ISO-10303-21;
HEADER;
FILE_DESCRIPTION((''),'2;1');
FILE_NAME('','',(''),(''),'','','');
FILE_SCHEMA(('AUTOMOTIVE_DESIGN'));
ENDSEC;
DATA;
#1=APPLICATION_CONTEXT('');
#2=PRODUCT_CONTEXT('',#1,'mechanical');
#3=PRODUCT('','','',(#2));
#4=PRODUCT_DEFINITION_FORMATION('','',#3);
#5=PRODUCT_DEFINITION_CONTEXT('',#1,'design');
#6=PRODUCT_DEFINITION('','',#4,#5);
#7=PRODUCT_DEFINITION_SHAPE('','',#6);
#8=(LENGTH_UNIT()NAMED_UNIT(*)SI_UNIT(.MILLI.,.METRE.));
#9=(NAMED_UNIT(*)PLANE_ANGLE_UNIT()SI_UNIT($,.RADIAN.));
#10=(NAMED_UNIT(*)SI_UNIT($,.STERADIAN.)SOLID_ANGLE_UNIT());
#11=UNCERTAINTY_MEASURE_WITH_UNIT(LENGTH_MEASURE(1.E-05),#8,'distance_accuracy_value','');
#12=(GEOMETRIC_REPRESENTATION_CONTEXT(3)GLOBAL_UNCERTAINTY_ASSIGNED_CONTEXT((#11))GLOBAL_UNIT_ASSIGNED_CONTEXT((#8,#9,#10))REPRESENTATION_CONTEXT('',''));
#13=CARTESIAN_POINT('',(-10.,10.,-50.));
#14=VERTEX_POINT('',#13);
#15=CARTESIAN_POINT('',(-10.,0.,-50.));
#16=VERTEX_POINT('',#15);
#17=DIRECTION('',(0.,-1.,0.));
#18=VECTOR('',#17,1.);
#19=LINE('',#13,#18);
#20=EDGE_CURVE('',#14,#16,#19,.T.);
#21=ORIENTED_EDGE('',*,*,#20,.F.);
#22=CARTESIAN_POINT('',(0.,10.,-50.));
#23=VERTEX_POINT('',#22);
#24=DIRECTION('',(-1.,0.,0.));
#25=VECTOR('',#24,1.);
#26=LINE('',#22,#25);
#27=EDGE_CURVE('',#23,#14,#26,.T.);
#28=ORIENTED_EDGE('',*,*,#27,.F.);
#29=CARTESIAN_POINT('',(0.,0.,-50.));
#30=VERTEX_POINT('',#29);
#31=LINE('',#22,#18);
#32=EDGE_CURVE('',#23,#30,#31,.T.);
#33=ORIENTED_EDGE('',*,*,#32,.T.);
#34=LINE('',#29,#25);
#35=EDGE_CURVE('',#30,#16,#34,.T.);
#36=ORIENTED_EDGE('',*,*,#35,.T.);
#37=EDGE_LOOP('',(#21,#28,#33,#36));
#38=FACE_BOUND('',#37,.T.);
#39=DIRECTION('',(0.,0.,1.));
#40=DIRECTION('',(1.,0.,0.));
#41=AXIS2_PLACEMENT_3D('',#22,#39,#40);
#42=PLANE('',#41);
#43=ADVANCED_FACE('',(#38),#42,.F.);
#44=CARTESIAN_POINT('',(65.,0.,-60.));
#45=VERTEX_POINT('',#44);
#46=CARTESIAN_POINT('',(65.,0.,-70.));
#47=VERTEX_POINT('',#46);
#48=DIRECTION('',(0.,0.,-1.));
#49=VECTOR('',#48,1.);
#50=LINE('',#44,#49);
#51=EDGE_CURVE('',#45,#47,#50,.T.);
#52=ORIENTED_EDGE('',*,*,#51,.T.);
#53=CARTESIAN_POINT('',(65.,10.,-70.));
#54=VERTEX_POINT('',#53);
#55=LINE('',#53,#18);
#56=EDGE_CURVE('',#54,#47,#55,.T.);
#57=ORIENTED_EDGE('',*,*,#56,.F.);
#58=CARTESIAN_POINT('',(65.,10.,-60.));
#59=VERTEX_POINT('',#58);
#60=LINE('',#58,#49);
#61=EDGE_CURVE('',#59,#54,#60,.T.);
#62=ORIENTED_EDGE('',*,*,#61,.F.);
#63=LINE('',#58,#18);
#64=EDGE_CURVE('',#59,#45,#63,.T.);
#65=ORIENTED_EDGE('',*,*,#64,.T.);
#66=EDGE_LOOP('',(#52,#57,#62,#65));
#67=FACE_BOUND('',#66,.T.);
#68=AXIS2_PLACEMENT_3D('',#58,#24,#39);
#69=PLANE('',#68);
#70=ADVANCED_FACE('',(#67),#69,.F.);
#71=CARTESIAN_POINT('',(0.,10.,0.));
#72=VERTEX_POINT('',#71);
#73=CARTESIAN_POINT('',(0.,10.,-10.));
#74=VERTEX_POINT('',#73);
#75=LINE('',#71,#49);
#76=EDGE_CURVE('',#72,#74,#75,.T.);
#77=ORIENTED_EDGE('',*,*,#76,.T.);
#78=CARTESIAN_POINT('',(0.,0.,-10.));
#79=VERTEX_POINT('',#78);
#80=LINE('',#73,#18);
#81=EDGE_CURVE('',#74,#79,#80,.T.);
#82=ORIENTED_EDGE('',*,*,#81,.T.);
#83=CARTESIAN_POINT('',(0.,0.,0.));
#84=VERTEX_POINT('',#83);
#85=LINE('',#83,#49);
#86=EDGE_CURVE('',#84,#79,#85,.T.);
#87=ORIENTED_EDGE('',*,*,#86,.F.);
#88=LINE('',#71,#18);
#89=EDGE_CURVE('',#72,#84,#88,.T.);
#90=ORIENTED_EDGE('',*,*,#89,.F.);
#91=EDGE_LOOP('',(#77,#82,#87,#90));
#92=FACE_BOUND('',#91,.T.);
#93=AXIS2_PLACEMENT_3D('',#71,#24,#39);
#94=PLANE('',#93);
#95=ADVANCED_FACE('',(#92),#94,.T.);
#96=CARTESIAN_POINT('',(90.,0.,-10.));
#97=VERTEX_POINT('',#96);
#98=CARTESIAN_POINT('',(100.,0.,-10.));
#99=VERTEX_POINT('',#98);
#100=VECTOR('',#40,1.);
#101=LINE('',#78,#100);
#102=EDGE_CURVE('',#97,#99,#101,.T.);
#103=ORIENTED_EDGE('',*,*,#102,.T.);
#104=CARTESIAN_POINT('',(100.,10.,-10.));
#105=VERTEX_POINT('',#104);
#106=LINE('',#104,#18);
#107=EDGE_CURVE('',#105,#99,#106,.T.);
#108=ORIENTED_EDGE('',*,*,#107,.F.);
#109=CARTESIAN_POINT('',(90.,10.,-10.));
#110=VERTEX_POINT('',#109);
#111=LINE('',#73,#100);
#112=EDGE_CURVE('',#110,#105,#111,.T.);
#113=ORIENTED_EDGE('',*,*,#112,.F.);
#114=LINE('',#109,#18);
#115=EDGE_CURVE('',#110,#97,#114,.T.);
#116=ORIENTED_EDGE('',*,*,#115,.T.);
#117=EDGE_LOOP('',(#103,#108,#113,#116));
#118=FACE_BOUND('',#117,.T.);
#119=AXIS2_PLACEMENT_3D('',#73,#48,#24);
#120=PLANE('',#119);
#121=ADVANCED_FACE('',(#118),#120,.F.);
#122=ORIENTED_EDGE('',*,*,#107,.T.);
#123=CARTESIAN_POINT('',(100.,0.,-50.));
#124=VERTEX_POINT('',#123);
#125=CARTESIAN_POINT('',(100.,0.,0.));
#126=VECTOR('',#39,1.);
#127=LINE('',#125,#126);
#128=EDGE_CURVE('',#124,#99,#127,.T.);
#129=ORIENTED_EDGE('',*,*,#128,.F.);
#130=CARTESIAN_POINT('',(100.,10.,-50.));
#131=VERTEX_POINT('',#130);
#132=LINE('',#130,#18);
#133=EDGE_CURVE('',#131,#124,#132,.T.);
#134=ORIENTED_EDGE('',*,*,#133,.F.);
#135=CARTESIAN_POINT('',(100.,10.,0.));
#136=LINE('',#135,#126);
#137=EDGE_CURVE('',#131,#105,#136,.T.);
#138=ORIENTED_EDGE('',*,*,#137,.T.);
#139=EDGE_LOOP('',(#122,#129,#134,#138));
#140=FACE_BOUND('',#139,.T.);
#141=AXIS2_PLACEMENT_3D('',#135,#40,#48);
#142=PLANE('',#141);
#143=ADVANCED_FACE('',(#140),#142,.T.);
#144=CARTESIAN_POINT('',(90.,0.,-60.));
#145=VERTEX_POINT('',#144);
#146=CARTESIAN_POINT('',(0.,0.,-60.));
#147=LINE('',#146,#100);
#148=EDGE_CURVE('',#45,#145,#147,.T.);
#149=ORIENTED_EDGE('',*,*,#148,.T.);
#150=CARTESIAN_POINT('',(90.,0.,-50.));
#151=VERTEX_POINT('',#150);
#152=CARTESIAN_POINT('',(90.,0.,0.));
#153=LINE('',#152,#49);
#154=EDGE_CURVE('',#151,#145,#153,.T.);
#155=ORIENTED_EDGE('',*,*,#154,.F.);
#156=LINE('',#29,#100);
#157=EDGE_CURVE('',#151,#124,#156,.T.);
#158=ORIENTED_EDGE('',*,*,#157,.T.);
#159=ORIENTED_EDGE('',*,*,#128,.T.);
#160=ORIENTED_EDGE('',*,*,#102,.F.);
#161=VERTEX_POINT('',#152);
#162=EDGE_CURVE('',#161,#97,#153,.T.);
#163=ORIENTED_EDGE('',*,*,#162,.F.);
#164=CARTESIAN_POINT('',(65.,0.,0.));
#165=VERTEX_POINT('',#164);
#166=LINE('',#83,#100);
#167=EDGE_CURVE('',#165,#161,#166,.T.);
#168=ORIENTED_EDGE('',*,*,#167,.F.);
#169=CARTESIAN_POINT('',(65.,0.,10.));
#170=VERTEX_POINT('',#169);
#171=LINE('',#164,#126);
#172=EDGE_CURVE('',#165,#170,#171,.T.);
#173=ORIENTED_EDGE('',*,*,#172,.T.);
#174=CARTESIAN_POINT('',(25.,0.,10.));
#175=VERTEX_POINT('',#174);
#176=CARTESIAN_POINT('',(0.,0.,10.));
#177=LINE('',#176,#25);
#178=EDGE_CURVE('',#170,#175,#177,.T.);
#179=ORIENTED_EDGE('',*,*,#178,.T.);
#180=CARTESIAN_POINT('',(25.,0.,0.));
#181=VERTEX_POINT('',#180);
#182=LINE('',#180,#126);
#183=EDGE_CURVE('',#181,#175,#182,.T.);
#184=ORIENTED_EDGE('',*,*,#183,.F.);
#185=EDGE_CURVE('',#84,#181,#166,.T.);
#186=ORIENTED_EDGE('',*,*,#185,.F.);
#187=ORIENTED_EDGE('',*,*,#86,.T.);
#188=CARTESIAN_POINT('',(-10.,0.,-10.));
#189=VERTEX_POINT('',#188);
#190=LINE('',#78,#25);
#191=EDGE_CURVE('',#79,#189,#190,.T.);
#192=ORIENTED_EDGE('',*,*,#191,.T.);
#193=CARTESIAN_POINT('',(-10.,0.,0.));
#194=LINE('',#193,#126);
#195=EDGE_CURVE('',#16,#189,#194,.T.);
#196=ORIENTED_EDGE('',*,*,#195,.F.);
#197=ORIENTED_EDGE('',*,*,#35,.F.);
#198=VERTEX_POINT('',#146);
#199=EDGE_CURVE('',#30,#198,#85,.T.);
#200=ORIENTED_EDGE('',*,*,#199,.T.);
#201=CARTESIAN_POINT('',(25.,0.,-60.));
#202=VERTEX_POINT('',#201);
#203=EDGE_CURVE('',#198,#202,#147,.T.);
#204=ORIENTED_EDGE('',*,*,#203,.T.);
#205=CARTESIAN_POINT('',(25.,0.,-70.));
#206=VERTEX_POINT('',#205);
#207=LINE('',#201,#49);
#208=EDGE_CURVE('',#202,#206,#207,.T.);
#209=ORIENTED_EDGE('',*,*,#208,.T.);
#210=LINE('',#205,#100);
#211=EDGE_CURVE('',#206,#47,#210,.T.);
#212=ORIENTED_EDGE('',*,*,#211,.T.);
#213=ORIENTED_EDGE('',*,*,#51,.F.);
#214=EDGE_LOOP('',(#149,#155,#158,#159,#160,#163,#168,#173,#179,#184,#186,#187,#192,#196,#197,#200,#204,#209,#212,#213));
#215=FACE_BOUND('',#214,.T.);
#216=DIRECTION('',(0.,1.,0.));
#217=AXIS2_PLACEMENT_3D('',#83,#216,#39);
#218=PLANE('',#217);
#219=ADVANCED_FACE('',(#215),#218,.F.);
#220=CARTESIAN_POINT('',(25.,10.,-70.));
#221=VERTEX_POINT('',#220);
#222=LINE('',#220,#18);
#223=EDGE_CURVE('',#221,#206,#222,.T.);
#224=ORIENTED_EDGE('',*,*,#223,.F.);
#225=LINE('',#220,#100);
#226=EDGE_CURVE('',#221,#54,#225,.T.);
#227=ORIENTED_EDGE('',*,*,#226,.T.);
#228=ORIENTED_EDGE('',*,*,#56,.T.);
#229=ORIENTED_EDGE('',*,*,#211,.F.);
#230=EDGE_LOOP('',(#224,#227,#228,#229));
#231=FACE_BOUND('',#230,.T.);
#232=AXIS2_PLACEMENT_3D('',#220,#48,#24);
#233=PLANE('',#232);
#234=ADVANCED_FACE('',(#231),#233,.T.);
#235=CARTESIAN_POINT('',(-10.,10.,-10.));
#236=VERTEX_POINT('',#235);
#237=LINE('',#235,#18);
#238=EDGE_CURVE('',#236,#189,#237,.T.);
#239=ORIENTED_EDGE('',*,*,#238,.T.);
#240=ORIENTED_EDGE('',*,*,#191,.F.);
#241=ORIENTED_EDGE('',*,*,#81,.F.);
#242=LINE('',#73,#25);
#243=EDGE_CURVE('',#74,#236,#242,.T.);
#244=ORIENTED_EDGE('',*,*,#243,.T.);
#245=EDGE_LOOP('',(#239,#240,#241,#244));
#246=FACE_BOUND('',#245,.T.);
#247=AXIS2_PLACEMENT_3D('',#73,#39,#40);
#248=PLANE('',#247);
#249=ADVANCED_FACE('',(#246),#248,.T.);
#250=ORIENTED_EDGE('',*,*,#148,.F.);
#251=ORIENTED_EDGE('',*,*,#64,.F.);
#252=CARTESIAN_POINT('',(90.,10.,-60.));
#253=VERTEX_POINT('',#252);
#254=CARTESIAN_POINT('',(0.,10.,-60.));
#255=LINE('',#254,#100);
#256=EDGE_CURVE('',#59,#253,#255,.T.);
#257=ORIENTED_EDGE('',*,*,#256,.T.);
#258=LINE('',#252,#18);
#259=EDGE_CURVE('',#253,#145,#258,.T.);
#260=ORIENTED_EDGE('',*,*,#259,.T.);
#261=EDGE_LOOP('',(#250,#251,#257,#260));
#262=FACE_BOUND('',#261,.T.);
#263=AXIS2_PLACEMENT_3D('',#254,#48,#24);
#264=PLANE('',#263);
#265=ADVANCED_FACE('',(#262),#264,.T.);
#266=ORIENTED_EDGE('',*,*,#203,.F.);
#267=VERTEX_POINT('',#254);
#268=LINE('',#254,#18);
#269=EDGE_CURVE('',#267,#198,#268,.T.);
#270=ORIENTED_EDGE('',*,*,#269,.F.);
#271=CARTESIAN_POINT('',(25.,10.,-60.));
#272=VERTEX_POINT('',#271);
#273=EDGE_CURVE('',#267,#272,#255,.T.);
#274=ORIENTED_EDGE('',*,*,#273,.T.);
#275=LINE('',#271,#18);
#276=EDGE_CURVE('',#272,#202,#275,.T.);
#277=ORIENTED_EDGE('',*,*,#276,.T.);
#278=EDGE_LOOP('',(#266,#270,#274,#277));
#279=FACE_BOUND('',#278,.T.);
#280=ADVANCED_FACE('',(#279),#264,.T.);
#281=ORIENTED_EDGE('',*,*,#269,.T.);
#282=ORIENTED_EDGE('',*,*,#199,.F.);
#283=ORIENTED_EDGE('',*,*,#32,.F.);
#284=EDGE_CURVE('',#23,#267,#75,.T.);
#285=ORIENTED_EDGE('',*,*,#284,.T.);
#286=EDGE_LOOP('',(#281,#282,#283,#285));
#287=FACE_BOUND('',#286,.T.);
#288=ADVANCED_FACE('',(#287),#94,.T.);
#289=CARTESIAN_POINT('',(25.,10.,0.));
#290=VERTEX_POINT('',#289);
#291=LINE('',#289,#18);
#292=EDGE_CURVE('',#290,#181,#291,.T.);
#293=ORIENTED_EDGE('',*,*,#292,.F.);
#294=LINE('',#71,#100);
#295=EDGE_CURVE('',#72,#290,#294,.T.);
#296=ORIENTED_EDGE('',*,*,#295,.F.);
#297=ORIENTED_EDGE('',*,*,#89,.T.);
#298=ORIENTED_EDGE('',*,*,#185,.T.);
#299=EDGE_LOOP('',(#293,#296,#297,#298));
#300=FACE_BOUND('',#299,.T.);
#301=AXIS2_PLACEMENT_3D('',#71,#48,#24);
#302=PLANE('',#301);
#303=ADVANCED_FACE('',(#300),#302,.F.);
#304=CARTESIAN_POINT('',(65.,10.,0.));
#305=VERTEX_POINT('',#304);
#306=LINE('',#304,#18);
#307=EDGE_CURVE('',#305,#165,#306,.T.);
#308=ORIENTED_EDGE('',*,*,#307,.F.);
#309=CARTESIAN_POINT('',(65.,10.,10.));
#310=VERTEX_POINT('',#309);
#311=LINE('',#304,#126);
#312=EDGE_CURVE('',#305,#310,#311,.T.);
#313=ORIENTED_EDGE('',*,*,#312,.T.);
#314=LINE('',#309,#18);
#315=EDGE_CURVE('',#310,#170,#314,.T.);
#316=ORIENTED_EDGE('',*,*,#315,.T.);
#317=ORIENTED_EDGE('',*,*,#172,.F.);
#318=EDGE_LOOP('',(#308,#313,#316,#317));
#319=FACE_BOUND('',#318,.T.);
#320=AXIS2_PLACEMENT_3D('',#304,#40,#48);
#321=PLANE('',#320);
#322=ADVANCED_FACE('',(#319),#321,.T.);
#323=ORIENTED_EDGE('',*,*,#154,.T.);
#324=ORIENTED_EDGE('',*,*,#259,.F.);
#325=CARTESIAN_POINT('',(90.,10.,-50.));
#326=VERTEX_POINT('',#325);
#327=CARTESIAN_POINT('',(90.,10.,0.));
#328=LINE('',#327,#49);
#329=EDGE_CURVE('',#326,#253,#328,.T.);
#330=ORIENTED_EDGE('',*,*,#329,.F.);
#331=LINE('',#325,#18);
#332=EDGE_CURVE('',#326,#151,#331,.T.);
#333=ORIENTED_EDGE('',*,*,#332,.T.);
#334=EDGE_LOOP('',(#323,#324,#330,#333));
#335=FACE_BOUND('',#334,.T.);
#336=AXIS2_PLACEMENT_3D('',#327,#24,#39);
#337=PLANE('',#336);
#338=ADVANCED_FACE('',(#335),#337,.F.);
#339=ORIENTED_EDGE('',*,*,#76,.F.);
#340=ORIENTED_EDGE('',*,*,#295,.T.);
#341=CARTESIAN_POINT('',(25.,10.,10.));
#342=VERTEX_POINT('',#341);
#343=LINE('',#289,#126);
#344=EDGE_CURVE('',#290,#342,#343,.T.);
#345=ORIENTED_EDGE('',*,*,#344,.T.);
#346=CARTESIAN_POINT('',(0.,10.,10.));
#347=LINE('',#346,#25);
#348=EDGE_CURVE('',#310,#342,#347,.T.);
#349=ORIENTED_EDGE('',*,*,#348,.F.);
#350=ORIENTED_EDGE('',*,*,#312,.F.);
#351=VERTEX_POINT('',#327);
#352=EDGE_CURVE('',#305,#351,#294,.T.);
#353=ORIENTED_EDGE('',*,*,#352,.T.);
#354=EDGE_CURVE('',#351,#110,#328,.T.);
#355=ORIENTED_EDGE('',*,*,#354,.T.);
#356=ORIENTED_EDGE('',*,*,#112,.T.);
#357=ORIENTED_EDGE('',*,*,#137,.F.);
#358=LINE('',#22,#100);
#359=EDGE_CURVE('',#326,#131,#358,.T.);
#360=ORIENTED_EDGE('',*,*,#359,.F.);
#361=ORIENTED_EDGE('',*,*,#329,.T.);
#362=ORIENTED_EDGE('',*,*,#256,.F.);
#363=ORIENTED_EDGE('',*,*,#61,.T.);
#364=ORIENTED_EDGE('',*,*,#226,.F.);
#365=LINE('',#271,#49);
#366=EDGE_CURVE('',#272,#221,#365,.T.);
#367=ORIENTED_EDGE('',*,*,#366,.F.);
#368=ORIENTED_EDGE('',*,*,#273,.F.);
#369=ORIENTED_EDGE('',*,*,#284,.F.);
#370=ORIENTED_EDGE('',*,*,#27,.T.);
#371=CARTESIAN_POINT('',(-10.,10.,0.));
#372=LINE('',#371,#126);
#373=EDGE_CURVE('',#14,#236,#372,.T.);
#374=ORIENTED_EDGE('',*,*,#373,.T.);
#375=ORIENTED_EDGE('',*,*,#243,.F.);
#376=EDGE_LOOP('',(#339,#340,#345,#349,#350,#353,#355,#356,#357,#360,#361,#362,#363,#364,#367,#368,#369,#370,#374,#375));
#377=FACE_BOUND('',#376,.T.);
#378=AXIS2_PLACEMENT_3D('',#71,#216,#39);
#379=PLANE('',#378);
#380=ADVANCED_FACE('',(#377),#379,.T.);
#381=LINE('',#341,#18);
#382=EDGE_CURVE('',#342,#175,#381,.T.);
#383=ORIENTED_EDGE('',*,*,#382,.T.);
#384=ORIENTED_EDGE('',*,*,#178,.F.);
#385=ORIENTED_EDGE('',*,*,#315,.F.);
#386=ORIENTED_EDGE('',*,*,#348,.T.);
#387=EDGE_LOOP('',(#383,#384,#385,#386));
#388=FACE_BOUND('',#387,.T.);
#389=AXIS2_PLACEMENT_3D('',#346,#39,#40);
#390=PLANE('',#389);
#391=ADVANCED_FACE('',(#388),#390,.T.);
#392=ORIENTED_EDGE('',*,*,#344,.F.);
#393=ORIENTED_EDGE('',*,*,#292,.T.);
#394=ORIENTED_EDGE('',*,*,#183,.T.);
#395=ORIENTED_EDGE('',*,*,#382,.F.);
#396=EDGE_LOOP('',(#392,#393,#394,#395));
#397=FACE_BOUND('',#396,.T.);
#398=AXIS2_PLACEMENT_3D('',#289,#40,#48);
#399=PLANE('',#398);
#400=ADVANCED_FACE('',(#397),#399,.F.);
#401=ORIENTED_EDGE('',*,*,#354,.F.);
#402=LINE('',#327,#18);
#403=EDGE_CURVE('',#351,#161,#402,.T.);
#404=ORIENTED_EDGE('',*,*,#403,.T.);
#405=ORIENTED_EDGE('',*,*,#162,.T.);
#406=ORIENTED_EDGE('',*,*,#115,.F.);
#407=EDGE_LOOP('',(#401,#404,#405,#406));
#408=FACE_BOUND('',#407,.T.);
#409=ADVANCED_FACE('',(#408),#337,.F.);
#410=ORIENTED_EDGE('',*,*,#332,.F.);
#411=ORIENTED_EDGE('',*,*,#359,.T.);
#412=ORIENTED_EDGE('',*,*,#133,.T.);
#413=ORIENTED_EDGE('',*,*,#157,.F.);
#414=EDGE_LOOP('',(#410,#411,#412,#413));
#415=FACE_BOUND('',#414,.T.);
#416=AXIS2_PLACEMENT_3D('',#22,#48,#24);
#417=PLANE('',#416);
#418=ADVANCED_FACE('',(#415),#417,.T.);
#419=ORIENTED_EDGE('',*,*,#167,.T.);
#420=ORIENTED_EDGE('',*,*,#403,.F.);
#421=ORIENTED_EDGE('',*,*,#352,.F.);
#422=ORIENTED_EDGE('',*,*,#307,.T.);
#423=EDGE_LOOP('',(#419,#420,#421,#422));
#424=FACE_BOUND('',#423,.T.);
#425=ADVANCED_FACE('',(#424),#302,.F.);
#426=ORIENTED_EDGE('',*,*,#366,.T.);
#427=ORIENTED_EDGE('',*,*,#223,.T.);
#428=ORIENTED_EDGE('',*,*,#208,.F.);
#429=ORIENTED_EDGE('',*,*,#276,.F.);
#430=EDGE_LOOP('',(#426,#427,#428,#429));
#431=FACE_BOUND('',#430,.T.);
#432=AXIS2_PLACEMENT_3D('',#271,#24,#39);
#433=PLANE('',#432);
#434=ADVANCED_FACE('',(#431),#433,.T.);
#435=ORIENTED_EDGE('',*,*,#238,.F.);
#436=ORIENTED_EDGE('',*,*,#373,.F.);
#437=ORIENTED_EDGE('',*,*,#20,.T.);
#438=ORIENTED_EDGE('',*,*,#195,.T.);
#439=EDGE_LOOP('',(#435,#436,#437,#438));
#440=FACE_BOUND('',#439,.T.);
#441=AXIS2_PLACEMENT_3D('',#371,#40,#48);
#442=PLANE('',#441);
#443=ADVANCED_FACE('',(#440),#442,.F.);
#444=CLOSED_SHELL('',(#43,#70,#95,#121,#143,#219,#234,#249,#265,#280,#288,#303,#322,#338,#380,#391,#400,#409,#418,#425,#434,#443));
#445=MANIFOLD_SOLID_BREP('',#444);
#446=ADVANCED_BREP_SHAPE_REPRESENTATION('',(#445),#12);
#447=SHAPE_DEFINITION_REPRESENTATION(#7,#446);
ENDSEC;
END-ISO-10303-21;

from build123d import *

# Parameters (mm, degrees)
SKETCH1_W           = 90
SKETCH1_H           = 60
SKETCH1_W_2         = 10
SKETCH1_H_2         = 40
SKETCH1_W_3         = 40
SKETCH1_H_3         = 10
BOSS_EXTRUDE1_DEPTH = 10


with BuildPart() as part:
    # Sketch1 → Boss-Extrude1 (new body)
    with BuildSketch(Plane(origin=(0, 0, 0), x_dir=(1, 0, 0), z_dir=(0, 1, 0))):
        with Locations((45, 30)):
            Rectangle(SKETCH1_W, SKETCH1_H)
        with Locations((-5, 30)):
            Rectangle(SKETCH1_W_2, SKETCH1_H_2)
        with Locations((95, 30)):
            Rectangle(SKETCH1_W_2, SKETCH1_H_2)
        with Locations((45, -5)):
            Rectangle(SKETCH1_W_3, SKETCH1_H_3)
        with Locations((45, 65)):
            Rectangle(SKETCH1_W_3, SKETCH1_H_3)
    extrude(amount=BOSS_EXTRUDE1_DEPTH)


solid = part.part
